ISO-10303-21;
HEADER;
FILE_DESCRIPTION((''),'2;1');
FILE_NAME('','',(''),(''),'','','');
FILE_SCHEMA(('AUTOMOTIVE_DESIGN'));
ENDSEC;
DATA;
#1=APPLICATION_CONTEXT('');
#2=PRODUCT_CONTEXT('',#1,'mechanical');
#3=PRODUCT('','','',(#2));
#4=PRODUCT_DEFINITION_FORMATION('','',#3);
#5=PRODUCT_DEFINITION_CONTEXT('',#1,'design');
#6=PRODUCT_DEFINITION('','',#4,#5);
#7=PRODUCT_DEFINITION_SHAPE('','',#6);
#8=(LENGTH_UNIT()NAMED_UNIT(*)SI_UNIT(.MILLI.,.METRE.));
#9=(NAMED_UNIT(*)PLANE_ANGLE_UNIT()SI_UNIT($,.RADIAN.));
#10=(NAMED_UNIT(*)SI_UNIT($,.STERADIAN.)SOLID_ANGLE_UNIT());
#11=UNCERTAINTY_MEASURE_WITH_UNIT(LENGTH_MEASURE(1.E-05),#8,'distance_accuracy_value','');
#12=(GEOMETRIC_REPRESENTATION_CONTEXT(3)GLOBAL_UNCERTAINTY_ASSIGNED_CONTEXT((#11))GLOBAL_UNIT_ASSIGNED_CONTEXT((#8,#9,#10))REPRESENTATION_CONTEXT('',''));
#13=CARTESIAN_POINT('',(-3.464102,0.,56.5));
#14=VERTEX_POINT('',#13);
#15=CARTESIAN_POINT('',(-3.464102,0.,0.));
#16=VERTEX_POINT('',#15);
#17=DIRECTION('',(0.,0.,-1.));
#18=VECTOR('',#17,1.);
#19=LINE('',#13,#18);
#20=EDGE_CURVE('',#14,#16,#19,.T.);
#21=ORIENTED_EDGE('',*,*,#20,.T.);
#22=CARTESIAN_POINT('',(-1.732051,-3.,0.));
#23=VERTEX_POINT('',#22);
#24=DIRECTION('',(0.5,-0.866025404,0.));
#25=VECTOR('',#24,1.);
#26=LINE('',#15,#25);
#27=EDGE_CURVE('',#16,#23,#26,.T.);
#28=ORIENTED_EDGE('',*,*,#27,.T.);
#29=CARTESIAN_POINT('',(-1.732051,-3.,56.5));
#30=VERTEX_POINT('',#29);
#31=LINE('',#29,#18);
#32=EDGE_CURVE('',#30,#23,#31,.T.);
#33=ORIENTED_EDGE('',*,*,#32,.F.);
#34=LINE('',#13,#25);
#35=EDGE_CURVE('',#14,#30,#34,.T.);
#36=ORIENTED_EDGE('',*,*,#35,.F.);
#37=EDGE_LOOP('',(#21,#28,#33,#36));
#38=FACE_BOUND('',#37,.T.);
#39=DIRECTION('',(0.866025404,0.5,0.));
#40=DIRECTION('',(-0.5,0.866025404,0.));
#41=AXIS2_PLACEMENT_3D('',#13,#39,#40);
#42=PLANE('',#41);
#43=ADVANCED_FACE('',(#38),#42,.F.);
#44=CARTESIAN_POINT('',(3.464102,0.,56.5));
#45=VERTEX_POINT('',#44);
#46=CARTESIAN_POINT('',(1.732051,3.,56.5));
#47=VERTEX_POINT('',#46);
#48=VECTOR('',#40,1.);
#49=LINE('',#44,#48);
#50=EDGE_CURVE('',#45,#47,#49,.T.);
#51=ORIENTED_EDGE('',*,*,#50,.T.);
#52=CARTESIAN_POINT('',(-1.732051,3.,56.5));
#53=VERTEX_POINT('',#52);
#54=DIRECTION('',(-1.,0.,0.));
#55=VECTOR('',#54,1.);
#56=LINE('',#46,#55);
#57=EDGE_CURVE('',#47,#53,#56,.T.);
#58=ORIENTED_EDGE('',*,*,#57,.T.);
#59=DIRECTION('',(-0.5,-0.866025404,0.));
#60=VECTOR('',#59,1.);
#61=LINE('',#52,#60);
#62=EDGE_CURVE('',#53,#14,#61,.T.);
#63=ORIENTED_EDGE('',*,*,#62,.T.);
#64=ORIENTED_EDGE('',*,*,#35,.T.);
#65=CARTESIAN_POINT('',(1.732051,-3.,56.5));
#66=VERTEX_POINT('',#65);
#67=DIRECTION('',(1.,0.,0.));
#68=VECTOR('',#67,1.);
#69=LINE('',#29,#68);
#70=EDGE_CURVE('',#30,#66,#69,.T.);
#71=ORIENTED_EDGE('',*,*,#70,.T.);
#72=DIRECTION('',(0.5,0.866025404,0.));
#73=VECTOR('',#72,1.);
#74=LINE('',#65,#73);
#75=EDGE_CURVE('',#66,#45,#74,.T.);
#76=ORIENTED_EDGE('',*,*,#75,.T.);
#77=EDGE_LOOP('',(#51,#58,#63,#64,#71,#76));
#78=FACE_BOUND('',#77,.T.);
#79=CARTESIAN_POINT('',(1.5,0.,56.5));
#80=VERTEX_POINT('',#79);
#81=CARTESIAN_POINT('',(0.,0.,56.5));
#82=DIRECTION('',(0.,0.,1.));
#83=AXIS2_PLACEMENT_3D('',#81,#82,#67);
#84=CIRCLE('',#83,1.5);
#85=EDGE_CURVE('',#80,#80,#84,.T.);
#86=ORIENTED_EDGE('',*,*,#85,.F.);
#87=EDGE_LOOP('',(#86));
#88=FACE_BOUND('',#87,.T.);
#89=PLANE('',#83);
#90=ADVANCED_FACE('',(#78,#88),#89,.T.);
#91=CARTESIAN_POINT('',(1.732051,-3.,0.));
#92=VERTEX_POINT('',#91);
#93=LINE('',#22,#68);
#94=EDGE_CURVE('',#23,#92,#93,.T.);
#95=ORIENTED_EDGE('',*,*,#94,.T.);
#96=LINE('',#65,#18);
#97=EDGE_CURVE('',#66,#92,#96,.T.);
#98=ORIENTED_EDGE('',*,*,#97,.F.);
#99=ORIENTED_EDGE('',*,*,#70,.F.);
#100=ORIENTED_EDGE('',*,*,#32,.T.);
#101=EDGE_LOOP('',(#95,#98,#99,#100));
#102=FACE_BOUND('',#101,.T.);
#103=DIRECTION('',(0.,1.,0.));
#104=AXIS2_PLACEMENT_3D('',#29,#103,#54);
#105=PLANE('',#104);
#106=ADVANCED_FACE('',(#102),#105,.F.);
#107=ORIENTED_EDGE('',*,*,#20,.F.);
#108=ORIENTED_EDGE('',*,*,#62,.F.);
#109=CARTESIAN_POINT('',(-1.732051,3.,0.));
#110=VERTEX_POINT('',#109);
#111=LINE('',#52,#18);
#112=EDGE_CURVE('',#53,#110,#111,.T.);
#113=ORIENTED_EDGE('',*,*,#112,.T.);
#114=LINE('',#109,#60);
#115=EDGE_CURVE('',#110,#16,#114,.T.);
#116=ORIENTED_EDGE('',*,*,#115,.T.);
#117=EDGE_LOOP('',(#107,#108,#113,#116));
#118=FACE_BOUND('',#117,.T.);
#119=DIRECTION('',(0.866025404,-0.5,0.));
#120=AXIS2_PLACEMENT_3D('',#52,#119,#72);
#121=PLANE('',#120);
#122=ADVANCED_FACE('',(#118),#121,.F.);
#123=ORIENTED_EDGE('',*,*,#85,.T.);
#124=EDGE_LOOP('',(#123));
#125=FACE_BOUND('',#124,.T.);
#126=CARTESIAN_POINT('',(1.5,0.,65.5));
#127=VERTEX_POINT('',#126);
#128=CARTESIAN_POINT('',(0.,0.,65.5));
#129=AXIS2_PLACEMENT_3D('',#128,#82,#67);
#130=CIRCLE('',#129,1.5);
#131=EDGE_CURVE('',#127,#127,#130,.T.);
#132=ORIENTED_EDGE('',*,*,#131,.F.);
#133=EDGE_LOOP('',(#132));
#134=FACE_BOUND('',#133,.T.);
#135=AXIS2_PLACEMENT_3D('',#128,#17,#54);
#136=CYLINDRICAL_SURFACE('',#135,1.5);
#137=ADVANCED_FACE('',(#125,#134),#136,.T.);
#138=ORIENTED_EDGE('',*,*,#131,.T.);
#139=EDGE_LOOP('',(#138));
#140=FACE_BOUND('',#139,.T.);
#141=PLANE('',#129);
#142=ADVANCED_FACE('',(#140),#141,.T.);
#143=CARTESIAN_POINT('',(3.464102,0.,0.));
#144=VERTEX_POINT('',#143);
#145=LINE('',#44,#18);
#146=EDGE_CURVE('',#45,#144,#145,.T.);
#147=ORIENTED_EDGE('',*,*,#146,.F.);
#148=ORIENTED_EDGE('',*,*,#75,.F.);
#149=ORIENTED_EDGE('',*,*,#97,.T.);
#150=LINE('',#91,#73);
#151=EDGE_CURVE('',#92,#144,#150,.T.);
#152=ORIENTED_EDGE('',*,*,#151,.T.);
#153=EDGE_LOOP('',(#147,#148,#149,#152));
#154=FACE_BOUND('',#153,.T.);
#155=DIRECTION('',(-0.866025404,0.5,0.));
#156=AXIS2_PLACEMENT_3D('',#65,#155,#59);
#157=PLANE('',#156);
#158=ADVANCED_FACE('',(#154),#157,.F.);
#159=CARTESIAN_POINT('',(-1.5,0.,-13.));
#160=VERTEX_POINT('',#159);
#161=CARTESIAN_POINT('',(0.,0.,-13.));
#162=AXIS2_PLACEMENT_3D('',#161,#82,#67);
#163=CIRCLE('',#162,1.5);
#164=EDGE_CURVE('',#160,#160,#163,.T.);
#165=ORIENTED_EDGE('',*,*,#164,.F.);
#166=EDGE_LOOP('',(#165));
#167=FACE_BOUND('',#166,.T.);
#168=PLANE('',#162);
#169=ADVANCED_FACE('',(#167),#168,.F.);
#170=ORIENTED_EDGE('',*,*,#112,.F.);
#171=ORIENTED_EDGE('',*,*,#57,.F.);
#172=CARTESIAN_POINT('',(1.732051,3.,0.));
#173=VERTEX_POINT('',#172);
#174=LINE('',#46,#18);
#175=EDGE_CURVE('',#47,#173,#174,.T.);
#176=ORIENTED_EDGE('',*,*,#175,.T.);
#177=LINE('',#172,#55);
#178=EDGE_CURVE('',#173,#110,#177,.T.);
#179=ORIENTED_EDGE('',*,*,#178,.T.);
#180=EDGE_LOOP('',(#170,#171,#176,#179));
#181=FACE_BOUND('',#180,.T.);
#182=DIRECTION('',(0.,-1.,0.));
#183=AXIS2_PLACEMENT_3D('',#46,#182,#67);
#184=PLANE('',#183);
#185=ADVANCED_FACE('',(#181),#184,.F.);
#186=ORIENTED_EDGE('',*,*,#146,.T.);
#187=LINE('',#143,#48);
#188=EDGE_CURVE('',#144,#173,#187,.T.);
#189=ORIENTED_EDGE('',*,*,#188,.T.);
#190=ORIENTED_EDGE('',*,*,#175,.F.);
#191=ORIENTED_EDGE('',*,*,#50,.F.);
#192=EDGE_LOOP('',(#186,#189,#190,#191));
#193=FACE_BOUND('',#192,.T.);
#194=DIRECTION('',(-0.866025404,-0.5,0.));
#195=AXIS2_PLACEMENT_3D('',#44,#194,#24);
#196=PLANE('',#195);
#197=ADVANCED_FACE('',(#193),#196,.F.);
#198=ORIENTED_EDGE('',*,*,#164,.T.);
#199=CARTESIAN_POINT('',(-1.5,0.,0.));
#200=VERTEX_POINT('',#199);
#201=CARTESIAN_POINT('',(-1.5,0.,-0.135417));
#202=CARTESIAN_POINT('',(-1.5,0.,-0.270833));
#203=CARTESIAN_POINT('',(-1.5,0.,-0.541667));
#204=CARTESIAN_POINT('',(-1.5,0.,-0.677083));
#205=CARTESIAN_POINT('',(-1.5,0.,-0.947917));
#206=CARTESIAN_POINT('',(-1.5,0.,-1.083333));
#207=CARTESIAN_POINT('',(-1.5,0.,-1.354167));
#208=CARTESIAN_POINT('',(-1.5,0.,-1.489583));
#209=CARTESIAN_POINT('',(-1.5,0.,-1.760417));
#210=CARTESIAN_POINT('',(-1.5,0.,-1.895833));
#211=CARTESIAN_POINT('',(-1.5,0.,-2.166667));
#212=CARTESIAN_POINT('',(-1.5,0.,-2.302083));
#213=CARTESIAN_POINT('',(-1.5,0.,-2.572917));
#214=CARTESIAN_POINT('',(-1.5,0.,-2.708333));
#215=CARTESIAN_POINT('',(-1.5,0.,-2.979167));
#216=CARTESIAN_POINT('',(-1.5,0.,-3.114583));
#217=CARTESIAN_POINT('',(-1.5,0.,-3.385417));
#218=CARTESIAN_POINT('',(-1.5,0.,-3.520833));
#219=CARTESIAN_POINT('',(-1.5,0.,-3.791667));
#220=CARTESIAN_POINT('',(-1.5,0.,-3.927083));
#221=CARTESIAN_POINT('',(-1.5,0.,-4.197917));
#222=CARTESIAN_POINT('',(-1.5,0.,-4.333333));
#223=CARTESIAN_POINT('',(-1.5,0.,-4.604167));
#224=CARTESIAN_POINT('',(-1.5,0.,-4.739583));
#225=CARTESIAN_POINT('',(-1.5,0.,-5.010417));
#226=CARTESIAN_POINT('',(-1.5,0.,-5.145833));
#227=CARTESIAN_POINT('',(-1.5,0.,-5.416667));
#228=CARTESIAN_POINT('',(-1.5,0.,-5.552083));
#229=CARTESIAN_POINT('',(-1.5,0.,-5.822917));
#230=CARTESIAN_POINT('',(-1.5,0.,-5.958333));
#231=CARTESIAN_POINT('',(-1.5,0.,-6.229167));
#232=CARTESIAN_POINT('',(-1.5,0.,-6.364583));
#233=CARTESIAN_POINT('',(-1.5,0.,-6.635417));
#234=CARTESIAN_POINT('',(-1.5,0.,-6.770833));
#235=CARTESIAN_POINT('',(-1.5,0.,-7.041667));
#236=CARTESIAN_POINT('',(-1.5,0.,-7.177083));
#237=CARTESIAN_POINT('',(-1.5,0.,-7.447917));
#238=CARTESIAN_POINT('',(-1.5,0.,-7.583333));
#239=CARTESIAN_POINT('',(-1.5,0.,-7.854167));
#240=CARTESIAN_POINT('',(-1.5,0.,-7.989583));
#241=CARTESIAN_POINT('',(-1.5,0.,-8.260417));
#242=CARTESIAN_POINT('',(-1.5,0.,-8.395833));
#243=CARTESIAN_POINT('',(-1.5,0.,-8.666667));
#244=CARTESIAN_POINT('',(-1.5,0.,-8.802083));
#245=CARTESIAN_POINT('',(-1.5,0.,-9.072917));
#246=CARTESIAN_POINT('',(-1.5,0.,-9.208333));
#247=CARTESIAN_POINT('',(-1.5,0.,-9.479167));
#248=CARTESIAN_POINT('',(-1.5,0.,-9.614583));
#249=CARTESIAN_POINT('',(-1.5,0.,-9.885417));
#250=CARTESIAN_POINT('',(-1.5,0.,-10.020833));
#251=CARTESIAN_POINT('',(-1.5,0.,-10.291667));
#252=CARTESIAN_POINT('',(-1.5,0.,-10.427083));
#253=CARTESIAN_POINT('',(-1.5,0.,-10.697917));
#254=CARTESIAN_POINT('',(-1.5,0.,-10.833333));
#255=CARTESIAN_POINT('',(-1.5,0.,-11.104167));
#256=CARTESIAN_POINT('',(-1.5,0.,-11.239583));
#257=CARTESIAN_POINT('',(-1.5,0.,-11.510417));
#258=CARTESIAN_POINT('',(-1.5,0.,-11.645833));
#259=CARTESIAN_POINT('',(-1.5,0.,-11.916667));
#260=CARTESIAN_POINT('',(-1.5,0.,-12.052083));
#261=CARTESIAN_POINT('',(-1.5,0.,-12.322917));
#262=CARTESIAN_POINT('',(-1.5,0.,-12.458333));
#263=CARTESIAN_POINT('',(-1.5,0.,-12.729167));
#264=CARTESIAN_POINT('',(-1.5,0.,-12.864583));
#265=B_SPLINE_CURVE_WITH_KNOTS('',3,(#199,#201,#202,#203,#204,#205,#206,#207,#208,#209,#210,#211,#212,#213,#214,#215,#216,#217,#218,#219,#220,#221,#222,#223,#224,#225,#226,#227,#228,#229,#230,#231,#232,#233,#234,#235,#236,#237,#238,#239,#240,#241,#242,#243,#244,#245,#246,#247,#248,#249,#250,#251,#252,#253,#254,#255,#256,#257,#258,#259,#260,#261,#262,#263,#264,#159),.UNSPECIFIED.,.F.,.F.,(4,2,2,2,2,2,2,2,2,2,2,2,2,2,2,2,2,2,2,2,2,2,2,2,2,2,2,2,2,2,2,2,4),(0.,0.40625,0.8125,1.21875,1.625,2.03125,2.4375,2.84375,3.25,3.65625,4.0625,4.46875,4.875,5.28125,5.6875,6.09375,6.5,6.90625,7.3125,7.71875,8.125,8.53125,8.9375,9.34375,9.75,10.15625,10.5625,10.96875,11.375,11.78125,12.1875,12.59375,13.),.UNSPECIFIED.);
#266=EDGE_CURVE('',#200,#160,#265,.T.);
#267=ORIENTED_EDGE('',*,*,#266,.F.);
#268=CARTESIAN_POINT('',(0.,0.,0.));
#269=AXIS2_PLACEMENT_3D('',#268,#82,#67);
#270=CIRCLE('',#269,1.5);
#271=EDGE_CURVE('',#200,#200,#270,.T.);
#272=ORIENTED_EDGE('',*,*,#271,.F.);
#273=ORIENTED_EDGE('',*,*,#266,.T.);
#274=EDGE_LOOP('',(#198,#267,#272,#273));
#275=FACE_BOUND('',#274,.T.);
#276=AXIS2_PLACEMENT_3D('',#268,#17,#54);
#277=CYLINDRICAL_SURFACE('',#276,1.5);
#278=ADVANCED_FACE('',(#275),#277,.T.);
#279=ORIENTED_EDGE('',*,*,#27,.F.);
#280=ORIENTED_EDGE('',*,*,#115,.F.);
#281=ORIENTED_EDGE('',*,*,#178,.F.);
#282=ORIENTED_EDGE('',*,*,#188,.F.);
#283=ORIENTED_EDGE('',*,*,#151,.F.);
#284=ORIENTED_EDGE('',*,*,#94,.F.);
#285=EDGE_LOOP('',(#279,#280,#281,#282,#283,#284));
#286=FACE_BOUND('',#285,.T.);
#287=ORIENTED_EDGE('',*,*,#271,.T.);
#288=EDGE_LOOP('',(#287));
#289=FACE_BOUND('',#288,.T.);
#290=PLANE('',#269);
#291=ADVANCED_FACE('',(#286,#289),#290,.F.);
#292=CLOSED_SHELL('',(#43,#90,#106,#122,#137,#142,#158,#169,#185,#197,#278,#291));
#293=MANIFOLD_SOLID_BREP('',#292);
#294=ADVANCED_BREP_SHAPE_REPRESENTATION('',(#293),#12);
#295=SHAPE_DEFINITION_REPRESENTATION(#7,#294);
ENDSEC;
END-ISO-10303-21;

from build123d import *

# Parameters (mm, degrees)
EXTRUDE_56_5_DEPTH  = 56.5
EXTRUDE_START       = -13
SKETCH_2_R          = 1.5
EXTRUDE_M3_13_DEPTH = 13
EXTRUDE_START_2     = 56.5
SKETCH_3_R          = 1.5
EXTRUDE_M3_9_DEPTH  = 9


with BuildPart() as part:
    # 草图1 → 六角柱_有效长56.5 (new body)
    with BuildSketch(Plane.XY):
        Polygon((3.464101615, 0), (1.732050808, 3), (-1.732050808, 3), (-3.464101615, 0), (-1.732050808, -3), (1.732050808, -3), align=None)
    extrude(amount=EXTRUDE_56_5_DEPTH)

    # 草图2 → 下端M3公头_长13 (add)
    with BuildSketch(Plane.XY.offset(EXTRUDE_START)):
        with Locations(Location((0, 0, 0), (0, 0, 180))):
            Circle(SKETCH_2_R)
    extrude(amount=EXTRUDE_M3_13_DEPTH)

    # 草图3 → 上端M3公头_长9 (add)
    with BuildSketch(Plane.XY.offset(EXTRUDE_START_2)):
        with Locations(Location((0, 0, 0), (0, 0, 180))):
            Circle(SKETCH_3_R)
    extrude(amount=EXTRUDE_M3_9_DEPTH)


solid = part.part
